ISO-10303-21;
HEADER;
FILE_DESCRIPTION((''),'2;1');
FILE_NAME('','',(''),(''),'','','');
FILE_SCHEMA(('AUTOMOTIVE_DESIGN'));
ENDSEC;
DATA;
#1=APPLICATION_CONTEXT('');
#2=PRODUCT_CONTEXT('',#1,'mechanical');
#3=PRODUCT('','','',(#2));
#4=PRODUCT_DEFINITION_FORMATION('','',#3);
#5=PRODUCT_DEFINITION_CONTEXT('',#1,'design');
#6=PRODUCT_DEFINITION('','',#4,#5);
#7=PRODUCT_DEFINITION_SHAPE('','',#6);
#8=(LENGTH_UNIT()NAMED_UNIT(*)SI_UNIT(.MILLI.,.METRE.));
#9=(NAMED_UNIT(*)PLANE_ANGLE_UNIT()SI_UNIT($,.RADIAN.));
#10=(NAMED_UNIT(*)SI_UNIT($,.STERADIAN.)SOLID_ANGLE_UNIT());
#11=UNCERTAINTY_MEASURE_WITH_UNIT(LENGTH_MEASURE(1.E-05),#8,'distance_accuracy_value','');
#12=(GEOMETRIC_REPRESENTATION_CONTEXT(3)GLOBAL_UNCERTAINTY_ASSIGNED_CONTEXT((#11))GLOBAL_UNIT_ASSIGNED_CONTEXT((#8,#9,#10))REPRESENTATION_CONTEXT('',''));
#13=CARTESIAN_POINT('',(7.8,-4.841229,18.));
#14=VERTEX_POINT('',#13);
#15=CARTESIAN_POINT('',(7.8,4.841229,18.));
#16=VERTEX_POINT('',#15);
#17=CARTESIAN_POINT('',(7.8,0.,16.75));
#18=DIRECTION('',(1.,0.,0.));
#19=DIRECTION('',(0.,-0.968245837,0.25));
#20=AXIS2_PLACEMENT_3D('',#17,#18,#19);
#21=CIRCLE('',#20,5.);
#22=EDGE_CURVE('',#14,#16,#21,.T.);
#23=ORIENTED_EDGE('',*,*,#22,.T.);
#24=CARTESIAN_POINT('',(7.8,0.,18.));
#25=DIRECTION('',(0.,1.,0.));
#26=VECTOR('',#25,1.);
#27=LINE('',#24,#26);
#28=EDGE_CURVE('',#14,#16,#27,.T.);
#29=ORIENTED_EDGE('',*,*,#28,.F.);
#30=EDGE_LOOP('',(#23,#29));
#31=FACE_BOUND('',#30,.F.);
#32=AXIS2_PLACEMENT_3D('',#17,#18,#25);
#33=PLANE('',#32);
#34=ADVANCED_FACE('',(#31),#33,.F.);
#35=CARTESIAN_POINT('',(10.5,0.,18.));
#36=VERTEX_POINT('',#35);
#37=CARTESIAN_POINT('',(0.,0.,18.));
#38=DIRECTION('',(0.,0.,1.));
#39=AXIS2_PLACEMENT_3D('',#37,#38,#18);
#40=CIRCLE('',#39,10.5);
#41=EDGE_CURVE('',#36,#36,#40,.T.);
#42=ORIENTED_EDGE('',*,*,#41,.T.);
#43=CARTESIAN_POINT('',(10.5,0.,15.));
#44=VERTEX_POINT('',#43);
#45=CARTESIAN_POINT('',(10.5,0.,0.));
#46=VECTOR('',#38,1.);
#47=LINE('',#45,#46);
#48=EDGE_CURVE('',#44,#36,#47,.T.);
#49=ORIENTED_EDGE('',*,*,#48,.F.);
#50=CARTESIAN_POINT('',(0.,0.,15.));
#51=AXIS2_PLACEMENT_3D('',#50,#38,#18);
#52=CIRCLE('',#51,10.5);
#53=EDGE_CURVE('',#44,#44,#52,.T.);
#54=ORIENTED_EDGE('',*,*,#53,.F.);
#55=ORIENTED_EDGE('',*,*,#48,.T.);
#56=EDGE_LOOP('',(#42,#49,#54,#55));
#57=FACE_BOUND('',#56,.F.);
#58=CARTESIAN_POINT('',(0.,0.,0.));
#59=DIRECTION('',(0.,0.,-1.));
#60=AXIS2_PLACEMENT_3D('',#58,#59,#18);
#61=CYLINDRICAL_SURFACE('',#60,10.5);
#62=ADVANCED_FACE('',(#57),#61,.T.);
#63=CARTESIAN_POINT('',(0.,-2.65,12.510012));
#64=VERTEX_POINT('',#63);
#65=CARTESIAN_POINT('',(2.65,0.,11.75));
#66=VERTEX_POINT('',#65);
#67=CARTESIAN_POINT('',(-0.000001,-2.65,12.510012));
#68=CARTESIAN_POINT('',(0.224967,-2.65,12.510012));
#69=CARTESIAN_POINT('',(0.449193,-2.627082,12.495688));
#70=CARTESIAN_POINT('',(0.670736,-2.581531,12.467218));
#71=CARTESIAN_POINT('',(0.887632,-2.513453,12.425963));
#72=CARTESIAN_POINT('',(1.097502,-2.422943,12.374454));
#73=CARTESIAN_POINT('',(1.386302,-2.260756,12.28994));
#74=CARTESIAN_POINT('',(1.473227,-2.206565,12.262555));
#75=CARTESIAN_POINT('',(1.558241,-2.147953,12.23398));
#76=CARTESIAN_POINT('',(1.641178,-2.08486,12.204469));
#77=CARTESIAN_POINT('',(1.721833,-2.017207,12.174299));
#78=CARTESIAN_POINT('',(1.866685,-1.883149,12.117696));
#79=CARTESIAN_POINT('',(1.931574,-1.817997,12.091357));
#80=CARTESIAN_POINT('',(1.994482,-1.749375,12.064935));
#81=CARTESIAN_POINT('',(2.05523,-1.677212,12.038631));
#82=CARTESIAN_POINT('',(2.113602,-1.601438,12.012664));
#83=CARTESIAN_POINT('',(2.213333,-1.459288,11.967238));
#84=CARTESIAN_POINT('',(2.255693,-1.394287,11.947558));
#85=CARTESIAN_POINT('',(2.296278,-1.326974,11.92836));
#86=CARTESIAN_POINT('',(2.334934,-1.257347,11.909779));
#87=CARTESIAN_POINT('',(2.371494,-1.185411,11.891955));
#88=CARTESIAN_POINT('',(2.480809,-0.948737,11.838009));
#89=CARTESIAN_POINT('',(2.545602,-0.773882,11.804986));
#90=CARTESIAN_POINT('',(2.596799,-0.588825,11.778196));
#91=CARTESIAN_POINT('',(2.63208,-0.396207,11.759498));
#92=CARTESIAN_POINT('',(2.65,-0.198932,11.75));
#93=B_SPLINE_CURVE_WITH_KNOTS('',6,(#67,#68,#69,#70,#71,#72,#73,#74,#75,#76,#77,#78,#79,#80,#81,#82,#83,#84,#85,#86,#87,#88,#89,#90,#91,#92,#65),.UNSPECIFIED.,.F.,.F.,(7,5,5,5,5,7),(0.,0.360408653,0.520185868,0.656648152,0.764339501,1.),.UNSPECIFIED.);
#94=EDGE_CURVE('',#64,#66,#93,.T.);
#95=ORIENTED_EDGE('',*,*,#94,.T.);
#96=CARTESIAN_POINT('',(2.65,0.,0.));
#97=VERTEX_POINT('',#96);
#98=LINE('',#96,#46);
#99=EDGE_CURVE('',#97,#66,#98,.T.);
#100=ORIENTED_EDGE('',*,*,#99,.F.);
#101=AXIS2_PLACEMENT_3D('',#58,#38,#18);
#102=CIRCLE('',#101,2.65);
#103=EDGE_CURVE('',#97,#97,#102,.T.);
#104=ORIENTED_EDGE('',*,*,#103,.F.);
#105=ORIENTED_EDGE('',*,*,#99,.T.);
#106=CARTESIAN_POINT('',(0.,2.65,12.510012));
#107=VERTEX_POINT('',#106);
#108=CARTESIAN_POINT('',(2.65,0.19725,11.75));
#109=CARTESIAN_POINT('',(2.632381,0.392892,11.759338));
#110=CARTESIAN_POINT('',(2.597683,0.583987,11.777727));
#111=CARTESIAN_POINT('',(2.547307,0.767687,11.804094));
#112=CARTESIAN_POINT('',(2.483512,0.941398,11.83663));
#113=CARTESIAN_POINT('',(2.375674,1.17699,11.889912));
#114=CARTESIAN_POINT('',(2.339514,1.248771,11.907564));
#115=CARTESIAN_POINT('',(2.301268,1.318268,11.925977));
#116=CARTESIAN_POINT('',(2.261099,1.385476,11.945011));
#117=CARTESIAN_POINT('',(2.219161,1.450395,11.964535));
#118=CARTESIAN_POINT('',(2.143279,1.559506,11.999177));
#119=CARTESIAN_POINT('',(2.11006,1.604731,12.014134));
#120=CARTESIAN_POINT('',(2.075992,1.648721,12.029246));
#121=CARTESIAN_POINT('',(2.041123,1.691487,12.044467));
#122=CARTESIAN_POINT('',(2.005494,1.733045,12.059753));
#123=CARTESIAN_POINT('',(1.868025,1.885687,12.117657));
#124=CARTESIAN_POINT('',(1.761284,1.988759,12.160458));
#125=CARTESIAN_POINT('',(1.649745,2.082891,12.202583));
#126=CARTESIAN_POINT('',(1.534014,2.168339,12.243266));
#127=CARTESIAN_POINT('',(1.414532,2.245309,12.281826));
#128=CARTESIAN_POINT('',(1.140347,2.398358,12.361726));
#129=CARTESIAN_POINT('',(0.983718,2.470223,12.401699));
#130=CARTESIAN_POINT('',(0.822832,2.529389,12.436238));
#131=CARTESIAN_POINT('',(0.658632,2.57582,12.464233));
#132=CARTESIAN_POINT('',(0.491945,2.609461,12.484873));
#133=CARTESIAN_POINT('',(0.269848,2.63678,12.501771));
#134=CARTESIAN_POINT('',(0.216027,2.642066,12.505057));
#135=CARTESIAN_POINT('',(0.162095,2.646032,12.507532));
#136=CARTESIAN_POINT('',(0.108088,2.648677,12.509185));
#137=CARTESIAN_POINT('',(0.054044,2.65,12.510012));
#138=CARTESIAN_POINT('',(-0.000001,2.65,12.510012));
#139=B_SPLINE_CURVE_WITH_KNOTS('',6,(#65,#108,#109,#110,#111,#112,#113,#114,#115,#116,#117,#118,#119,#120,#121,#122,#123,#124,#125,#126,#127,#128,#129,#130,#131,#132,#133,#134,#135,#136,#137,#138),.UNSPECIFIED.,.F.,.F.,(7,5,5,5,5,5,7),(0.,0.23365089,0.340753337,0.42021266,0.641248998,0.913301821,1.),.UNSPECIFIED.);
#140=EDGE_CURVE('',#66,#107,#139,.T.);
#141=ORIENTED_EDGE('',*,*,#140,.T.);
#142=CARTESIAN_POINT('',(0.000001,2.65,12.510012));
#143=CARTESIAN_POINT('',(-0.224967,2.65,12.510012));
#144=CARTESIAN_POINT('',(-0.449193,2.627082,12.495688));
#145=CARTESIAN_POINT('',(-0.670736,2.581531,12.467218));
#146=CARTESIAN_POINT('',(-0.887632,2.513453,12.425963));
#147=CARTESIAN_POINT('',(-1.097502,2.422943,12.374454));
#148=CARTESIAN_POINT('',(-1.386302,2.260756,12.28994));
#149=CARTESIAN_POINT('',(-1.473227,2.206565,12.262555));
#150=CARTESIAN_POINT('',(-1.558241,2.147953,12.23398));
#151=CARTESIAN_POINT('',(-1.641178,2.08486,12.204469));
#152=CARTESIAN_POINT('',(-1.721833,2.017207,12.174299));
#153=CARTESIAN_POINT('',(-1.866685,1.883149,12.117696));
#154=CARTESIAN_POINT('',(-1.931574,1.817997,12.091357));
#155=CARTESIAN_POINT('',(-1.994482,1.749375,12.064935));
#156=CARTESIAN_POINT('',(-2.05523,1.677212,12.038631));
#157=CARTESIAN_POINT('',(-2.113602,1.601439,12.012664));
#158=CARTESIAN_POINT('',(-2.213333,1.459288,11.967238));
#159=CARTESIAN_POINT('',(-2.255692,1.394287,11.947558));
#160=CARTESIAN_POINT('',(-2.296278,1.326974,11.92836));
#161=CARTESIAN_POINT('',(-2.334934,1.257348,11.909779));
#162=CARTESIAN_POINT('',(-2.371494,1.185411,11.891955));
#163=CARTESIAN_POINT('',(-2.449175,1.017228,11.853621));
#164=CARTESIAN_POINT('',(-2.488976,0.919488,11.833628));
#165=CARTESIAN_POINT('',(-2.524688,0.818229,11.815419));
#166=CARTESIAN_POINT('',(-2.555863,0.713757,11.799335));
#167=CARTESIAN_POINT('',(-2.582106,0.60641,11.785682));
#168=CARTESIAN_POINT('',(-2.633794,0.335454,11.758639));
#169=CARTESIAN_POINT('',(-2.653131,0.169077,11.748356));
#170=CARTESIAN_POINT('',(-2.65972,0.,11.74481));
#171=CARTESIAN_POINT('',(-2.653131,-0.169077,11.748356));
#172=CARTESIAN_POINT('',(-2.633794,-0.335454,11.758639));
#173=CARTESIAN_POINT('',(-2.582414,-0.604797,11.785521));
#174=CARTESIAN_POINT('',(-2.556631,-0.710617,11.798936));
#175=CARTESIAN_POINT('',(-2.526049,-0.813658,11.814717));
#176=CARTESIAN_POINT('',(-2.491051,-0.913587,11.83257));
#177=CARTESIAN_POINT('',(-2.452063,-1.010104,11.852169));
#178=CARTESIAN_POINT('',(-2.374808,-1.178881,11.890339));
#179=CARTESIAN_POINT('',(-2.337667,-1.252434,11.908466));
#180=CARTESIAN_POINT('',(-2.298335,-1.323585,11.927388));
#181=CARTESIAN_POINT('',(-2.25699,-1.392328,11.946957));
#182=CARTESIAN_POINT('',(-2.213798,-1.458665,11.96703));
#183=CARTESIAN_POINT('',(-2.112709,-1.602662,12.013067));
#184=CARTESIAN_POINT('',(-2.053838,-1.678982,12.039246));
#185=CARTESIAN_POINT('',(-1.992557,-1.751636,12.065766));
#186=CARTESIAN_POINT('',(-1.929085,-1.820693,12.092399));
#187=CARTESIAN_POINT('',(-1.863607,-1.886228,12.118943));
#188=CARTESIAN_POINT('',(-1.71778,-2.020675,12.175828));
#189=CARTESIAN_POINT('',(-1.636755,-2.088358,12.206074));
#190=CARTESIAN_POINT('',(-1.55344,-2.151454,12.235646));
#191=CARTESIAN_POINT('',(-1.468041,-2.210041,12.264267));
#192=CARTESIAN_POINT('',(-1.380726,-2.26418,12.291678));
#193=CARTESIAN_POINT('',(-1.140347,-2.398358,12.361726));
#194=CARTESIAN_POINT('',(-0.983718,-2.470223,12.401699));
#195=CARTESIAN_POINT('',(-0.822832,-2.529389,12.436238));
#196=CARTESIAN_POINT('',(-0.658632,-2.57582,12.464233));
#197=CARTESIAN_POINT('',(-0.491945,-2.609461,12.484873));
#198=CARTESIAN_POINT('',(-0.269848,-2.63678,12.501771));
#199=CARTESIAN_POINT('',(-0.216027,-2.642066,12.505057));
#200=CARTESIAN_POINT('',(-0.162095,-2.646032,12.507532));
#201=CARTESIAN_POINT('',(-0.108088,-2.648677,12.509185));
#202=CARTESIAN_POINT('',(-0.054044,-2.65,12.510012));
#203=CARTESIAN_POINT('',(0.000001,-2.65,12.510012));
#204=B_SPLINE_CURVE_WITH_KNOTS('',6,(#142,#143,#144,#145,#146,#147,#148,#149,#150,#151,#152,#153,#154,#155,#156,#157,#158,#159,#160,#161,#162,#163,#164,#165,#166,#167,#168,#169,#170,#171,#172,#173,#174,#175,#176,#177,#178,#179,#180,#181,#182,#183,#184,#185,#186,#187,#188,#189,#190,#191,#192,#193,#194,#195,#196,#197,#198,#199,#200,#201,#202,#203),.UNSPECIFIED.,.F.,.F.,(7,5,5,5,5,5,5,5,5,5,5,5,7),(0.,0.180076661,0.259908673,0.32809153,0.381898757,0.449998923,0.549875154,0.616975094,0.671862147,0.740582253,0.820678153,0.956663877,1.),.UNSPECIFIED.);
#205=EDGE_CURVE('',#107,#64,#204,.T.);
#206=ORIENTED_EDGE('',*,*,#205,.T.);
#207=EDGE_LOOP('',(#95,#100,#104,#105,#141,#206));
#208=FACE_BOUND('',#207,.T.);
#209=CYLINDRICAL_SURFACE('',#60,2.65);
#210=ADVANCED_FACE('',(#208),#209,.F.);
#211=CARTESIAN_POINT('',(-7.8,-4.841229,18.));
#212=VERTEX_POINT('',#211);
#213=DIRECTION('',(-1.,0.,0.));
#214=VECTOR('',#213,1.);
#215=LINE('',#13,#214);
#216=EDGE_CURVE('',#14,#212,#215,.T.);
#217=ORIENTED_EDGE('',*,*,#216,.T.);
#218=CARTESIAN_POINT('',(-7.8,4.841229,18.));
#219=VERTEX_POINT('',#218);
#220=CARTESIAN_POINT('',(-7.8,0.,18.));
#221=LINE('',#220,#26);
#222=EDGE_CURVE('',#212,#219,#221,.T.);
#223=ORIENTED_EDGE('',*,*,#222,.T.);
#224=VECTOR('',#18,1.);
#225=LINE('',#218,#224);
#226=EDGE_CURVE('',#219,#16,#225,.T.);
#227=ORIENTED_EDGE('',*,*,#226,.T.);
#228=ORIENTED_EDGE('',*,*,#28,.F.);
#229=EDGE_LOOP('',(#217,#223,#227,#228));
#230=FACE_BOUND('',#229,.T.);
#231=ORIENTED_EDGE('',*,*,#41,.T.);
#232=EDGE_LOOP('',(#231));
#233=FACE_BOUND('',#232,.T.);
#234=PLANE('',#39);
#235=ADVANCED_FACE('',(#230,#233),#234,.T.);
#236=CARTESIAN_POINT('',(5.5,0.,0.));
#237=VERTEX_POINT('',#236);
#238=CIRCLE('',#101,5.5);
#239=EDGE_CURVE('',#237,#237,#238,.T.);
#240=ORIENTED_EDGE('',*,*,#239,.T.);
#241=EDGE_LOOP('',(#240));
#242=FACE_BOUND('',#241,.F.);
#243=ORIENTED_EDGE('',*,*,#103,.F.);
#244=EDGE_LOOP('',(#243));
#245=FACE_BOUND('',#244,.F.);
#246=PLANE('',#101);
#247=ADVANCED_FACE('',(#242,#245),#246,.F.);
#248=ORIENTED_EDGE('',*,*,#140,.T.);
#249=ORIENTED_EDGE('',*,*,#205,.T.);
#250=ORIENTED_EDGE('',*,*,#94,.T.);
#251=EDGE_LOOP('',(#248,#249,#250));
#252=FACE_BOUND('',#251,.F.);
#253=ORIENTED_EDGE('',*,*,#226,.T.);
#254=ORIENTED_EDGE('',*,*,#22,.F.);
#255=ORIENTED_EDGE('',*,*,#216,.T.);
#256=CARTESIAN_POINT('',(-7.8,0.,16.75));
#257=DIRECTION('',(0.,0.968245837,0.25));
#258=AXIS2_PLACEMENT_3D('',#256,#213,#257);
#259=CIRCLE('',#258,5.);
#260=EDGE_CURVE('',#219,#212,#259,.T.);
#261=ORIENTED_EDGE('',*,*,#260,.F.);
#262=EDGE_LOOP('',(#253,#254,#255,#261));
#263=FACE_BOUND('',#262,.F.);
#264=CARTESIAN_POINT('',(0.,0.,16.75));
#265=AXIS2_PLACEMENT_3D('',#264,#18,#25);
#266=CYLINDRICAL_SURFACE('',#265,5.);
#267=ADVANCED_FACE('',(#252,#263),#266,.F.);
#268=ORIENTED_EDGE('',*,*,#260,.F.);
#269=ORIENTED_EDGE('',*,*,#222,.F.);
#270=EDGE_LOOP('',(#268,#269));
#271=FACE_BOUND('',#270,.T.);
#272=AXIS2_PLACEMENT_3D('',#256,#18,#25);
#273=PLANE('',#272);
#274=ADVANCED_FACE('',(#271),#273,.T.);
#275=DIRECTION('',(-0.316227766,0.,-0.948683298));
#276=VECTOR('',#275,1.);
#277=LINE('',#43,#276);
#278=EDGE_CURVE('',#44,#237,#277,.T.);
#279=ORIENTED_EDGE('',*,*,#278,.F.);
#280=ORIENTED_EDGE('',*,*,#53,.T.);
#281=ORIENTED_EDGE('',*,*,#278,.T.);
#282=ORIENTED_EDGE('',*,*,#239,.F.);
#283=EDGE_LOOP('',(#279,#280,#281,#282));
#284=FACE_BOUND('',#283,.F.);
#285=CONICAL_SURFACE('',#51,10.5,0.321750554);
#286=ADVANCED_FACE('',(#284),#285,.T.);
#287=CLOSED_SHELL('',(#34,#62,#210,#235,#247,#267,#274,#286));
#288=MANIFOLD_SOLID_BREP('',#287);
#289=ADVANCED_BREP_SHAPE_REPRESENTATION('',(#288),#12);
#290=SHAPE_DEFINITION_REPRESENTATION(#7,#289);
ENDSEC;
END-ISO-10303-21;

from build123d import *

# Parameters (mm, degrees)
F0_R          = 10.5
F0_R_2        = 2.65
F1_DEPTH      = 18
F2_R          = 5
F3_DEPTH      = 7.8
F3_DEPTH_BACK = 7.8
F4_SIZE2      = 5
F4_SIZE       = 15


with BuildPart() as f1:
    # F0 (on Top) → F1 (new body)
    with BuildSketch(Plane.XY):
        Circle(F0_R)
        Circle(F0_R_2, mode=Mode.SUBTRACT)
    extrude(amount=F1_DEPTH)

    # F2 (on Right) → F3 (cut, two sides)
    with BuildSketch(Plane.YZ) as f3_sk:
        with Locations((0, 16.75)):
            Circle(F2_R)
    extrude(amount=-F3_DEPTH, mode=Mode.SUBTRACT)
    extrude(f3_sk.sketch, amount=F3_DEPTH_BACK, mode=Mode.SUBTRACT)

    # F4
    f4_edges = [f1.edges().sort_by_distance(p)[0] for p in [
        (-10.5, 0, 0),
    ]]
    f4_side = f1.faces().sort_by_distance((-10.5, 0, 9))[0]
    chamfer(f4_edges, length=F4_SIZE, length2=F4_SIZE2, reference=f4_side)


solid = f1.part
